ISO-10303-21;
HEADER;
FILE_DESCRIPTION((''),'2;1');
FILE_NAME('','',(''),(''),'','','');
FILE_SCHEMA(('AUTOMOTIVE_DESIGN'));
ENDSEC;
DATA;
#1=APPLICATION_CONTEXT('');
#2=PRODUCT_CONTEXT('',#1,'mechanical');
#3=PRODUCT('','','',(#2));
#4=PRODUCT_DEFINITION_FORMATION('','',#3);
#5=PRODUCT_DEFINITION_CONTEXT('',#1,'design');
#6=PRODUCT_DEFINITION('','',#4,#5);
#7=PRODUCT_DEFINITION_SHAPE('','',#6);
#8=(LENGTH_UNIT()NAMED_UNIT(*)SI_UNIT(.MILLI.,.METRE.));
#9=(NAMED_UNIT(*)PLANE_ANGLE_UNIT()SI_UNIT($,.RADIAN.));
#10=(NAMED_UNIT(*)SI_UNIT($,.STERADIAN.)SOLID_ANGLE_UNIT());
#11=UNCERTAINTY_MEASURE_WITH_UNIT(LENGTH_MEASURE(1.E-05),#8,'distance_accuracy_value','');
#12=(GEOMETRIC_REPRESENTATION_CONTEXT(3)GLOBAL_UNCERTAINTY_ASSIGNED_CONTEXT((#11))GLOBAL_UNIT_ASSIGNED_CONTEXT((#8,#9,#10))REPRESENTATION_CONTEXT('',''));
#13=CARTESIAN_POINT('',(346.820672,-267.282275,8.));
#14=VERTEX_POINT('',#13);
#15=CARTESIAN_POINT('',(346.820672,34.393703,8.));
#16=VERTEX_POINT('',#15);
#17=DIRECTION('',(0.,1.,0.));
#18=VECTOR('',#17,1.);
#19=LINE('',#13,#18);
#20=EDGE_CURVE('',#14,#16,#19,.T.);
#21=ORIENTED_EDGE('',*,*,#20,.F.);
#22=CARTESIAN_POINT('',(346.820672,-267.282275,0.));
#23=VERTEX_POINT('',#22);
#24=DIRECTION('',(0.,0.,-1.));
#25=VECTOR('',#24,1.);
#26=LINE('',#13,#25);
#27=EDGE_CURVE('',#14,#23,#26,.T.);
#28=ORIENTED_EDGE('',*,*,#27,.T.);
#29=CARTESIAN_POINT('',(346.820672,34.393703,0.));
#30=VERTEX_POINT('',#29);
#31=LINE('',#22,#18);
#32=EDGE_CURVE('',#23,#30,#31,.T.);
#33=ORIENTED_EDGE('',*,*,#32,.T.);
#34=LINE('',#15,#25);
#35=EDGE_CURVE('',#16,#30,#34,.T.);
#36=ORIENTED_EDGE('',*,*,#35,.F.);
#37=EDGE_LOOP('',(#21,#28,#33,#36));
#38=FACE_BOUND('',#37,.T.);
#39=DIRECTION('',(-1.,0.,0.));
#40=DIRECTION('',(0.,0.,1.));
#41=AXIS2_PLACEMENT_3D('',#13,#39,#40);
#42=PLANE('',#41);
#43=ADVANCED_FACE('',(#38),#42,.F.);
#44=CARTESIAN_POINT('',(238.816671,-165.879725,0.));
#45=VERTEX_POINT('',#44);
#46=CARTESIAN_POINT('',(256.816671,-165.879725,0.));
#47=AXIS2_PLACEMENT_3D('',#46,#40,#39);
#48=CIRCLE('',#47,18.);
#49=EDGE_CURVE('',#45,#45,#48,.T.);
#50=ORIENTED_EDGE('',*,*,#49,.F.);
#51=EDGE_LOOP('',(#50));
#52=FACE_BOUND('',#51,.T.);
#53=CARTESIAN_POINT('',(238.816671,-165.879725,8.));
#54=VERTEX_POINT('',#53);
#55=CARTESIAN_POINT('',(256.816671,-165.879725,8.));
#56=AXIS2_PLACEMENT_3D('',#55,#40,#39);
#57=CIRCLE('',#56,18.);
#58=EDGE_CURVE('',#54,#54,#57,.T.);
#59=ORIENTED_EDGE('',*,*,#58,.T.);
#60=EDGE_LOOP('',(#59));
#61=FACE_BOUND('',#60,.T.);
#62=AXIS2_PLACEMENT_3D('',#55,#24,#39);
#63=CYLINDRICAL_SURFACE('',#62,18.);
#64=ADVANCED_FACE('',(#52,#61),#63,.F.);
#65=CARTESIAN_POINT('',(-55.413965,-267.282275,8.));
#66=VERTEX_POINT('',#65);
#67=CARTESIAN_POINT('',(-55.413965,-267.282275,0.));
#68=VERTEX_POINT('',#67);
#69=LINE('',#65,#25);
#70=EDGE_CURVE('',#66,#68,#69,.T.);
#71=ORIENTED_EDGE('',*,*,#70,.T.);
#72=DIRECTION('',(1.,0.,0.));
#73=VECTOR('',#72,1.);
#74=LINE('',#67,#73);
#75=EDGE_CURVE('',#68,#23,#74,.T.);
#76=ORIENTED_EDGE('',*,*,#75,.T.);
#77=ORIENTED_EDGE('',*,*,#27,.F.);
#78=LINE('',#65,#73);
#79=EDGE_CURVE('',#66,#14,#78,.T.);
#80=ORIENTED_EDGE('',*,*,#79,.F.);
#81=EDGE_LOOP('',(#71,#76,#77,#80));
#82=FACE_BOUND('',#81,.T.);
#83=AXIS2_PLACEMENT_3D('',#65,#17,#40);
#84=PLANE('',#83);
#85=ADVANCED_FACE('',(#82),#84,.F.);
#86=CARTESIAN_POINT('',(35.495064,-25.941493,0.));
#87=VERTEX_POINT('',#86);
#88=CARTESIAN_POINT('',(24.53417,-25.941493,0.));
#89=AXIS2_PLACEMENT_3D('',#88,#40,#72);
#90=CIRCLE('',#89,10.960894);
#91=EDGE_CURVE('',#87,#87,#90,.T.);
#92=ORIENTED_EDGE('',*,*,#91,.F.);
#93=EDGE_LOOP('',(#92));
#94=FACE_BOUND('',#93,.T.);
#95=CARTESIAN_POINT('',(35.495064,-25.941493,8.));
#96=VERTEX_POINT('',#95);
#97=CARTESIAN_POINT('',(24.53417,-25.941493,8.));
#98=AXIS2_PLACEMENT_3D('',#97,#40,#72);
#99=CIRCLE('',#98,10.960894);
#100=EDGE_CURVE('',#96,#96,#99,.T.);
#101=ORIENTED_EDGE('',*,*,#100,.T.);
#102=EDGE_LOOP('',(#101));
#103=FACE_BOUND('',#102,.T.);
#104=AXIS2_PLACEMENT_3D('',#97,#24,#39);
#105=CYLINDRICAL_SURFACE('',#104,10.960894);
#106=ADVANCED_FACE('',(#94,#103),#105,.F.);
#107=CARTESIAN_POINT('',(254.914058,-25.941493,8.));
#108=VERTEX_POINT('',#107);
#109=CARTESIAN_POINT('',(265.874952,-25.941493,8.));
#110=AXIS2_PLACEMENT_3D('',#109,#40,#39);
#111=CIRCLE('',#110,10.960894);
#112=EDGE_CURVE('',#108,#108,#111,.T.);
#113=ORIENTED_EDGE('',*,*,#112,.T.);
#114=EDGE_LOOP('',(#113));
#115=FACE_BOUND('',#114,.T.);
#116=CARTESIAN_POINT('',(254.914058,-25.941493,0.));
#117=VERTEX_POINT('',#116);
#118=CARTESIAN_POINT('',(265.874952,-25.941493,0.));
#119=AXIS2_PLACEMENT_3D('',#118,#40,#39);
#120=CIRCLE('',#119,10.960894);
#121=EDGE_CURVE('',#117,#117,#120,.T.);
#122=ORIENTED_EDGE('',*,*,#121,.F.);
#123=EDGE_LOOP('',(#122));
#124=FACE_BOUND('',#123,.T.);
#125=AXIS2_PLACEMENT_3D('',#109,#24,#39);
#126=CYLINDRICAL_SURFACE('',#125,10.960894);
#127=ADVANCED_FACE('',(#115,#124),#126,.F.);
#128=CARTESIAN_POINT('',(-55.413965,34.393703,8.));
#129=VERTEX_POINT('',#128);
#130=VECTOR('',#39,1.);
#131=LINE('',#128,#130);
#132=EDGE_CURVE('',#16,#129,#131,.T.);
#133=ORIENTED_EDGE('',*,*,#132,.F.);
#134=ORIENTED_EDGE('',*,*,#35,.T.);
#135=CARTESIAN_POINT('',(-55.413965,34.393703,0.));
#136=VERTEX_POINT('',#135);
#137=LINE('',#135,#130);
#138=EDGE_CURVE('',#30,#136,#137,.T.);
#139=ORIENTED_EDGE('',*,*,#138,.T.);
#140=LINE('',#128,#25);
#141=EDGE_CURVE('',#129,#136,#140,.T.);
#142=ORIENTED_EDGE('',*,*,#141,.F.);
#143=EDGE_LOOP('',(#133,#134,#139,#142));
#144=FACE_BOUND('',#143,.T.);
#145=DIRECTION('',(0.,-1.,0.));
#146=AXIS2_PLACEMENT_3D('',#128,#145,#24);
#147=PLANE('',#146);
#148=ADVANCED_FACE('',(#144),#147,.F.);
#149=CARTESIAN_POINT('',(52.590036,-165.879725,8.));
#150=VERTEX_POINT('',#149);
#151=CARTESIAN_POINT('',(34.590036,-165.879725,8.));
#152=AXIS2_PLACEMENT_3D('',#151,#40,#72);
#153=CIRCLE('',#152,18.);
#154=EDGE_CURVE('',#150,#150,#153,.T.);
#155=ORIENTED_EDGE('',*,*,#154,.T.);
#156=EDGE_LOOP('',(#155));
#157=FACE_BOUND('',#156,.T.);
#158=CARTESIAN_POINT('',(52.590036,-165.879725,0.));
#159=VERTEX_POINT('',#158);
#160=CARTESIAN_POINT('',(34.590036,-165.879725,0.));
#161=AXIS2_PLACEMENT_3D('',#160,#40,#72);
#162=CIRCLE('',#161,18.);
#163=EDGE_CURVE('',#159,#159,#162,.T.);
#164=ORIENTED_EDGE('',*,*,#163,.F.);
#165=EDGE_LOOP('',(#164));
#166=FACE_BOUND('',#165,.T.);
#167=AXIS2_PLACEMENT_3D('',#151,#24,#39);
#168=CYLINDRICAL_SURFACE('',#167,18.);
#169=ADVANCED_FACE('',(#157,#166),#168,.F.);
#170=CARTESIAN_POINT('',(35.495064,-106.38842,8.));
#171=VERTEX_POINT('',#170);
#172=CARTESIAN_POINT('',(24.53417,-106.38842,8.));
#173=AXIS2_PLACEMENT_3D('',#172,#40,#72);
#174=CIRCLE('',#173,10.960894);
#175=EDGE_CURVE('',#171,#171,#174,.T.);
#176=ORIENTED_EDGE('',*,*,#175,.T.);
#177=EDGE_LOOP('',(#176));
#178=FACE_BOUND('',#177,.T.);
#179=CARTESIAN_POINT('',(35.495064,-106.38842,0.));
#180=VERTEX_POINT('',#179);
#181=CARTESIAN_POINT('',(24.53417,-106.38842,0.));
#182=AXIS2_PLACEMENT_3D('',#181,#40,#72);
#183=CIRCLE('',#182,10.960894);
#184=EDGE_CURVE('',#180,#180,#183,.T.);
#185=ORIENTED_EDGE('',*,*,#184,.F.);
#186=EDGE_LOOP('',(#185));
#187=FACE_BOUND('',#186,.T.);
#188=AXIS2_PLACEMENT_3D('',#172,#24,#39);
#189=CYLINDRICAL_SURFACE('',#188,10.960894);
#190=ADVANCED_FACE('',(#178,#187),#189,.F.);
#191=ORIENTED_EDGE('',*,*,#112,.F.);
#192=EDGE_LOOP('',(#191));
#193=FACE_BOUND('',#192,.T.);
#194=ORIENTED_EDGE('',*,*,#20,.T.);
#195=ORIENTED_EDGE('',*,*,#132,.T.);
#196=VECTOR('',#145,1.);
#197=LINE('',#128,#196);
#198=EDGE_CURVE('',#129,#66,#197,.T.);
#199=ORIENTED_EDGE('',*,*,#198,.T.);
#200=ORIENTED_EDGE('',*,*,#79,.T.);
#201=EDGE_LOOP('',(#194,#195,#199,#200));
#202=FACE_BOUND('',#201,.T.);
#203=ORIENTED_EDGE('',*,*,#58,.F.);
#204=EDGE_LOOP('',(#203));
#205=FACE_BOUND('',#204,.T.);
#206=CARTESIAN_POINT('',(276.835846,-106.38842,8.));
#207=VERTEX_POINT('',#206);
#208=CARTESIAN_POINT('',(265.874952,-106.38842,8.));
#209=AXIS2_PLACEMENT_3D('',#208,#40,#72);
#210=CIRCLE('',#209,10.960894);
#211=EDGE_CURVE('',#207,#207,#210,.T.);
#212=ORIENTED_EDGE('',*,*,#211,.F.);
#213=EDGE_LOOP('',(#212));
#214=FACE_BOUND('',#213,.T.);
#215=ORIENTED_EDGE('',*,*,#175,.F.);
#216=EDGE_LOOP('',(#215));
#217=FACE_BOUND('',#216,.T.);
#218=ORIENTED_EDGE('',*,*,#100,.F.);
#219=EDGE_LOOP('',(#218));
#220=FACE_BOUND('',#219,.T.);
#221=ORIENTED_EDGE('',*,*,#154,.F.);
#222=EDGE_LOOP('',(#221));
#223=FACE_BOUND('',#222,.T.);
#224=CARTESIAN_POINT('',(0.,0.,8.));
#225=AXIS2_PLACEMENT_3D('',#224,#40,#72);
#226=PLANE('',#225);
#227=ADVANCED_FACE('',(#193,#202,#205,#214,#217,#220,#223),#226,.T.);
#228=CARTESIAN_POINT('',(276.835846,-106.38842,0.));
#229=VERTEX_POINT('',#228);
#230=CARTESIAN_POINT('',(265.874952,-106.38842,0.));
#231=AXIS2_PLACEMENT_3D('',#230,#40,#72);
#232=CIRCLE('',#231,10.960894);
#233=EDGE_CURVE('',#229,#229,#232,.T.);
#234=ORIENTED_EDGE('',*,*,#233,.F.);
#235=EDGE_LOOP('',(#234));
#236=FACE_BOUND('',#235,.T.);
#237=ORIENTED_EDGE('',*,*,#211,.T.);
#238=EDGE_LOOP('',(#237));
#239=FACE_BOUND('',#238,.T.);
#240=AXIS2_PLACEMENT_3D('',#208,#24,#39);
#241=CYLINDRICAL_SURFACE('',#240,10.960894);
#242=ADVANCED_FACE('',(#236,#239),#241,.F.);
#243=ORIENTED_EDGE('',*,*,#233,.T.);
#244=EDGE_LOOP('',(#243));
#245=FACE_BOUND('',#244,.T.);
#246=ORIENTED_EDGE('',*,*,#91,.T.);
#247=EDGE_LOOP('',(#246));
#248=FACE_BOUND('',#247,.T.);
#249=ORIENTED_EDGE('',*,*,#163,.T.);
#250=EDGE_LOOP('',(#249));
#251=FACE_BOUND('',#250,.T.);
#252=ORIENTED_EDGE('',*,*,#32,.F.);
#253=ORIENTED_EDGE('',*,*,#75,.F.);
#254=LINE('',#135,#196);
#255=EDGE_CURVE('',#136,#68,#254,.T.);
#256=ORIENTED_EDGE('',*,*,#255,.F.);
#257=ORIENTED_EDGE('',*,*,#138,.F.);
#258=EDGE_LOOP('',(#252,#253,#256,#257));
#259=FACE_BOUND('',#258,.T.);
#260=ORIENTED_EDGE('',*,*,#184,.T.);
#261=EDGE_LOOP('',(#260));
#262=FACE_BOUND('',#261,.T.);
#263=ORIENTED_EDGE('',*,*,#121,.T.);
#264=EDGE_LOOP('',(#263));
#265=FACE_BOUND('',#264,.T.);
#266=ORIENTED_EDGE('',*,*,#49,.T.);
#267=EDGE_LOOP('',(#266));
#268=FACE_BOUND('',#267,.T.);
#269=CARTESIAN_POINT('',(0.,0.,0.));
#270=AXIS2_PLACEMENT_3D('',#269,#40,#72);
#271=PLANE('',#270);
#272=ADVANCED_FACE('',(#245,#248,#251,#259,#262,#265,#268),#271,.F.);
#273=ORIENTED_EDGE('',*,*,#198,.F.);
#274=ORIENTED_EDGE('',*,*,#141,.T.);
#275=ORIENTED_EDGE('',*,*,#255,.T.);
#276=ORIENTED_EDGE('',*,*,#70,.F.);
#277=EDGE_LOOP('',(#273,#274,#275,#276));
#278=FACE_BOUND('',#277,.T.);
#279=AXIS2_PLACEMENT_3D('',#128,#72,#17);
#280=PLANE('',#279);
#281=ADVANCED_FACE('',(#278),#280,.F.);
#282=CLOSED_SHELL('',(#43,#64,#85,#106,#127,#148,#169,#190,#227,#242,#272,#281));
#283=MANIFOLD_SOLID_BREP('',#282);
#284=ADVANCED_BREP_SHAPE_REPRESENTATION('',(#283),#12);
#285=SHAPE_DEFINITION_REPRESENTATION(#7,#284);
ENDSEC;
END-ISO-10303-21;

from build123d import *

# Parameters (mm, degrees)
SKETCH_1_W      = 402.234636872
SKETCH_1_H      = 301.675977654
SKETCH_1_R      = 10.960893855
SKETCH_1_R_2    = 18
EXTRUDE_1_DEPTH = 8


with BuildPart() as part:
    # 草图1 → 凸台-拉伸1 (new body)
    with BuildSketch(Plane.XY):
        with Locations((145.703353707, -116.444286207)):
            Rectangle(SKETCH_1_W, SKETCH_1_H)
        with Locations((24.534170175, -25.941492911)):
            Circle(SKETCH_1_R, mode=Mode.SUBTRACT)
        with Locations((265.874952297, -25.941492911)):
            Circle(SKETCH_1_R, mode=Mode.SUBTRACT)
        with Locations((24.534170175, -106.388420285)):
            Circle(SKETCH_1_R, mode=Mode.SUBTRACT)
        with Locations((265.874952297, -106.388420285)):
            Circle(SKETCH_1_R, mode=Mode.SUBTRACT)
        with Locations((34.590036096, -165.879725367)):
            Circle(SKETCH_1_R_2, mode=Mode.SUBTRACT)
        with Locations((256.816671318, -165.879725367)):
            Circle(SKETCH_1_R_2, mode=Mode.SUBTRACT)
    extrude(amount=EXTRUDE_1_DEPTH)


solid = part.part
